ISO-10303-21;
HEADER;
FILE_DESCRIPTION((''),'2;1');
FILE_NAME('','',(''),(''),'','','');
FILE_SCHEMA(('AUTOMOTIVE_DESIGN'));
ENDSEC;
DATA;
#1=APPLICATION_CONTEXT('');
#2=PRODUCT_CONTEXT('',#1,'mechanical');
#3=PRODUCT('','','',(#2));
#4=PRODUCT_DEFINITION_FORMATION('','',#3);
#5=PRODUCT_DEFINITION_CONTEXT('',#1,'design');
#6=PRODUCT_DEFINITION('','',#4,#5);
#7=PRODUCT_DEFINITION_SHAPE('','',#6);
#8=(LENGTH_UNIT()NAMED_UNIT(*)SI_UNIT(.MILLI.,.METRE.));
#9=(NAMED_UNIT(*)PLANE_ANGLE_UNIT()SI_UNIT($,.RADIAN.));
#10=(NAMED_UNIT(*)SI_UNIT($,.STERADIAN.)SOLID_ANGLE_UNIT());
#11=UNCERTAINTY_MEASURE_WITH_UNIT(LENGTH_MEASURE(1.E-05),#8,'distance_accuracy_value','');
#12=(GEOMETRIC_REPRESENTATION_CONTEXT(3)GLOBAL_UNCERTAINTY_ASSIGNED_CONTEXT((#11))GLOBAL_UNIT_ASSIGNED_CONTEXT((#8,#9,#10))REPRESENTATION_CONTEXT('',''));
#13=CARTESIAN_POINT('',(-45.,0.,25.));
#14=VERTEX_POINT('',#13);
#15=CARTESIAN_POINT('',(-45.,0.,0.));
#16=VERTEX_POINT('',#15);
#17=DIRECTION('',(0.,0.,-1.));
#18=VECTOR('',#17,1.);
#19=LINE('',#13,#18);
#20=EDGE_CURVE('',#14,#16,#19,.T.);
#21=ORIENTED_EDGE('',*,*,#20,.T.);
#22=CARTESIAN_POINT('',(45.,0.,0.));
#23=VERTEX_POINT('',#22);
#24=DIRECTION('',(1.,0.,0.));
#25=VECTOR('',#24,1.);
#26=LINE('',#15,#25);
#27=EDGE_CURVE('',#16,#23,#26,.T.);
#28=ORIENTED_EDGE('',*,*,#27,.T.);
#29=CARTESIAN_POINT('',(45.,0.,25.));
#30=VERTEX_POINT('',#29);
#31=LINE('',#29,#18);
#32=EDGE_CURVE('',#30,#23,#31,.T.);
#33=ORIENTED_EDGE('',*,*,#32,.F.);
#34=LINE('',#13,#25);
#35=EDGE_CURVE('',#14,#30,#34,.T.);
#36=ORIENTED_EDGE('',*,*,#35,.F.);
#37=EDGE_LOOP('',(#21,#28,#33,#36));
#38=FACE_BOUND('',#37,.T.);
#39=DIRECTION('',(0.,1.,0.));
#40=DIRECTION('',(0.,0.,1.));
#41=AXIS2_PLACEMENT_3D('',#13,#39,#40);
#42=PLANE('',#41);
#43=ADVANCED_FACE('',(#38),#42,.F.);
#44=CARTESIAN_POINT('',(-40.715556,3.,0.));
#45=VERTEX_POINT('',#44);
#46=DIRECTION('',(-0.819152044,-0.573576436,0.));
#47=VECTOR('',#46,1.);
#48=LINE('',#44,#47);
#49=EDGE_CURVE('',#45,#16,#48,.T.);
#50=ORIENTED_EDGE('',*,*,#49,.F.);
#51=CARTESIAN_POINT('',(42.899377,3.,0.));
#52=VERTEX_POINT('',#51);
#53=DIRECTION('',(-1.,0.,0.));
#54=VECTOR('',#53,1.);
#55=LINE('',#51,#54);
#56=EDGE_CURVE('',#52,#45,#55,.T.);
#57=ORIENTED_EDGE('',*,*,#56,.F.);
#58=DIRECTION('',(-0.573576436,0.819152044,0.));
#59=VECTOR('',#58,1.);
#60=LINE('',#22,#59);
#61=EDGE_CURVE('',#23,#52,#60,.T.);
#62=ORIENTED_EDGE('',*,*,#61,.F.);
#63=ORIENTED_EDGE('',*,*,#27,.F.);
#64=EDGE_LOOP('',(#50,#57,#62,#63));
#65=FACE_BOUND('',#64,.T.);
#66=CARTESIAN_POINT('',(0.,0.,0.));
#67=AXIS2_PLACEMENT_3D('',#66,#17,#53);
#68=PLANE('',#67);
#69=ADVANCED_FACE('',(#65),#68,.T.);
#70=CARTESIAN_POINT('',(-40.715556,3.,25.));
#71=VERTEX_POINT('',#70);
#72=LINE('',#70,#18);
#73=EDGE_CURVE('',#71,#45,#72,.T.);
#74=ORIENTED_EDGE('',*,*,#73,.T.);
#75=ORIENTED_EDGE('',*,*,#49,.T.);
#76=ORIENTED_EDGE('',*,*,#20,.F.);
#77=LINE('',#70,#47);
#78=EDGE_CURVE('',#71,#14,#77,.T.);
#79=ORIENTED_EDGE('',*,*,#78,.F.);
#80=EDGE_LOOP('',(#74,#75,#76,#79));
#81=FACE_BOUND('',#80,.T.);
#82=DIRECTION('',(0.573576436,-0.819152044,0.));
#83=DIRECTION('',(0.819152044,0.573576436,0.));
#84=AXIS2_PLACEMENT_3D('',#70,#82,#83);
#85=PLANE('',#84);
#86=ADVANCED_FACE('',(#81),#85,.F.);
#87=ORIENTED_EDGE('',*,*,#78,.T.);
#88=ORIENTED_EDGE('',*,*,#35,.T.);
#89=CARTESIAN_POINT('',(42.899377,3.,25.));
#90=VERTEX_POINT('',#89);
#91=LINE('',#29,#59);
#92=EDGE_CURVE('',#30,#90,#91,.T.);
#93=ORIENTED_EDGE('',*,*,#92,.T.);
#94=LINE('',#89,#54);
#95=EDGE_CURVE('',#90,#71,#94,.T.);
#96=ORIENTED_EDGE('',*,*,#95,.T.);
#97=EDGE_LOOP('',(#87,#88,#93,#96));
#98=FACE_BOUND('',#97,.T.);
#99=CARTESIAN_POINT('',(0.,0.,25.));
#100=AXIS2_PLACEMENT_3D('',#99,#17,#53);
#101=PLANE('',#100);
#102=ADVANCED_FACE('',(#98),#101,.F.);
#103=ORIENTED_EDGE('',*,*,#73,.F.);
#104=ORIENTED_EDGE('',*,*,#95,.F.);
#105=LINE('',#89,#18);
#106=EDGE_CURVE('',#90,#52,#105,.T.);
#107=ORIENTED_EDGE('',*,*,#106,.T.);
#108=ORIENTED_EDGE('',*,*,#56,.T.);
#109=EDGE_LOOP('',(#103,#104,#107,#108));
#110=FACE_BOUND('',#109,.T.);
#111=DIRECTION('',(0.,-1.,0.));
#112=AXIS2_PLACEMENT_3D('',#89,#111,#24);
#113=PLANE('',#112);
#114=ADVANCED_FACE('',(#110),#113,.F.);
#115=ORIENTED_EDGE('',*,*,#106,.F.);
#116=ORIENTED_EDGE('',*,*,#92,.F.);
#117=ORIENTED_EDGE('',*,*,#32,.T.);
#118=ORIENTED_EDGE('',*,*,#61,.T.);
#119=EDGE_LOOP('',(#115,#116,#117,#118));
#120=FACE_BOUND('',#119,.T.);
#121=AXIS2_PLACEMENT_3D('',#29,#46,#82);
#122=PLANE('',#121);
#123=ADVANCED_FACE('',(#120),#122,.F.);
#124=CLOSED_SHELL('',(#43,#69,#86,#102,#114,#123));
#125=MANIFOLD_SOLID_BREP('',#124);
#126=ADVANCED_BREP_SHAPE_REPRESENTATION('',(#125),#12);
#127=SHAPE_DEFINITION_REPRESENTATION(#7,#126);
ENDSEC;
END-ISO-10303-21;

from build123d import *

# Parameters (mm, degrees)
EXTRUDE_1_DEPTH = 25


with BuildPart() as part:
    # Эскиз2 → Бобышка-Вытянуть1 (new body)
    with BuildSketch(Plane.XY):
        Polygon((-45, 0), (45, 0), (42.899377385, 3), (-40.71555598, 3), align=None)
    extrude(amount=EXTRUDE_1_DEPTH)


solid = part.part
